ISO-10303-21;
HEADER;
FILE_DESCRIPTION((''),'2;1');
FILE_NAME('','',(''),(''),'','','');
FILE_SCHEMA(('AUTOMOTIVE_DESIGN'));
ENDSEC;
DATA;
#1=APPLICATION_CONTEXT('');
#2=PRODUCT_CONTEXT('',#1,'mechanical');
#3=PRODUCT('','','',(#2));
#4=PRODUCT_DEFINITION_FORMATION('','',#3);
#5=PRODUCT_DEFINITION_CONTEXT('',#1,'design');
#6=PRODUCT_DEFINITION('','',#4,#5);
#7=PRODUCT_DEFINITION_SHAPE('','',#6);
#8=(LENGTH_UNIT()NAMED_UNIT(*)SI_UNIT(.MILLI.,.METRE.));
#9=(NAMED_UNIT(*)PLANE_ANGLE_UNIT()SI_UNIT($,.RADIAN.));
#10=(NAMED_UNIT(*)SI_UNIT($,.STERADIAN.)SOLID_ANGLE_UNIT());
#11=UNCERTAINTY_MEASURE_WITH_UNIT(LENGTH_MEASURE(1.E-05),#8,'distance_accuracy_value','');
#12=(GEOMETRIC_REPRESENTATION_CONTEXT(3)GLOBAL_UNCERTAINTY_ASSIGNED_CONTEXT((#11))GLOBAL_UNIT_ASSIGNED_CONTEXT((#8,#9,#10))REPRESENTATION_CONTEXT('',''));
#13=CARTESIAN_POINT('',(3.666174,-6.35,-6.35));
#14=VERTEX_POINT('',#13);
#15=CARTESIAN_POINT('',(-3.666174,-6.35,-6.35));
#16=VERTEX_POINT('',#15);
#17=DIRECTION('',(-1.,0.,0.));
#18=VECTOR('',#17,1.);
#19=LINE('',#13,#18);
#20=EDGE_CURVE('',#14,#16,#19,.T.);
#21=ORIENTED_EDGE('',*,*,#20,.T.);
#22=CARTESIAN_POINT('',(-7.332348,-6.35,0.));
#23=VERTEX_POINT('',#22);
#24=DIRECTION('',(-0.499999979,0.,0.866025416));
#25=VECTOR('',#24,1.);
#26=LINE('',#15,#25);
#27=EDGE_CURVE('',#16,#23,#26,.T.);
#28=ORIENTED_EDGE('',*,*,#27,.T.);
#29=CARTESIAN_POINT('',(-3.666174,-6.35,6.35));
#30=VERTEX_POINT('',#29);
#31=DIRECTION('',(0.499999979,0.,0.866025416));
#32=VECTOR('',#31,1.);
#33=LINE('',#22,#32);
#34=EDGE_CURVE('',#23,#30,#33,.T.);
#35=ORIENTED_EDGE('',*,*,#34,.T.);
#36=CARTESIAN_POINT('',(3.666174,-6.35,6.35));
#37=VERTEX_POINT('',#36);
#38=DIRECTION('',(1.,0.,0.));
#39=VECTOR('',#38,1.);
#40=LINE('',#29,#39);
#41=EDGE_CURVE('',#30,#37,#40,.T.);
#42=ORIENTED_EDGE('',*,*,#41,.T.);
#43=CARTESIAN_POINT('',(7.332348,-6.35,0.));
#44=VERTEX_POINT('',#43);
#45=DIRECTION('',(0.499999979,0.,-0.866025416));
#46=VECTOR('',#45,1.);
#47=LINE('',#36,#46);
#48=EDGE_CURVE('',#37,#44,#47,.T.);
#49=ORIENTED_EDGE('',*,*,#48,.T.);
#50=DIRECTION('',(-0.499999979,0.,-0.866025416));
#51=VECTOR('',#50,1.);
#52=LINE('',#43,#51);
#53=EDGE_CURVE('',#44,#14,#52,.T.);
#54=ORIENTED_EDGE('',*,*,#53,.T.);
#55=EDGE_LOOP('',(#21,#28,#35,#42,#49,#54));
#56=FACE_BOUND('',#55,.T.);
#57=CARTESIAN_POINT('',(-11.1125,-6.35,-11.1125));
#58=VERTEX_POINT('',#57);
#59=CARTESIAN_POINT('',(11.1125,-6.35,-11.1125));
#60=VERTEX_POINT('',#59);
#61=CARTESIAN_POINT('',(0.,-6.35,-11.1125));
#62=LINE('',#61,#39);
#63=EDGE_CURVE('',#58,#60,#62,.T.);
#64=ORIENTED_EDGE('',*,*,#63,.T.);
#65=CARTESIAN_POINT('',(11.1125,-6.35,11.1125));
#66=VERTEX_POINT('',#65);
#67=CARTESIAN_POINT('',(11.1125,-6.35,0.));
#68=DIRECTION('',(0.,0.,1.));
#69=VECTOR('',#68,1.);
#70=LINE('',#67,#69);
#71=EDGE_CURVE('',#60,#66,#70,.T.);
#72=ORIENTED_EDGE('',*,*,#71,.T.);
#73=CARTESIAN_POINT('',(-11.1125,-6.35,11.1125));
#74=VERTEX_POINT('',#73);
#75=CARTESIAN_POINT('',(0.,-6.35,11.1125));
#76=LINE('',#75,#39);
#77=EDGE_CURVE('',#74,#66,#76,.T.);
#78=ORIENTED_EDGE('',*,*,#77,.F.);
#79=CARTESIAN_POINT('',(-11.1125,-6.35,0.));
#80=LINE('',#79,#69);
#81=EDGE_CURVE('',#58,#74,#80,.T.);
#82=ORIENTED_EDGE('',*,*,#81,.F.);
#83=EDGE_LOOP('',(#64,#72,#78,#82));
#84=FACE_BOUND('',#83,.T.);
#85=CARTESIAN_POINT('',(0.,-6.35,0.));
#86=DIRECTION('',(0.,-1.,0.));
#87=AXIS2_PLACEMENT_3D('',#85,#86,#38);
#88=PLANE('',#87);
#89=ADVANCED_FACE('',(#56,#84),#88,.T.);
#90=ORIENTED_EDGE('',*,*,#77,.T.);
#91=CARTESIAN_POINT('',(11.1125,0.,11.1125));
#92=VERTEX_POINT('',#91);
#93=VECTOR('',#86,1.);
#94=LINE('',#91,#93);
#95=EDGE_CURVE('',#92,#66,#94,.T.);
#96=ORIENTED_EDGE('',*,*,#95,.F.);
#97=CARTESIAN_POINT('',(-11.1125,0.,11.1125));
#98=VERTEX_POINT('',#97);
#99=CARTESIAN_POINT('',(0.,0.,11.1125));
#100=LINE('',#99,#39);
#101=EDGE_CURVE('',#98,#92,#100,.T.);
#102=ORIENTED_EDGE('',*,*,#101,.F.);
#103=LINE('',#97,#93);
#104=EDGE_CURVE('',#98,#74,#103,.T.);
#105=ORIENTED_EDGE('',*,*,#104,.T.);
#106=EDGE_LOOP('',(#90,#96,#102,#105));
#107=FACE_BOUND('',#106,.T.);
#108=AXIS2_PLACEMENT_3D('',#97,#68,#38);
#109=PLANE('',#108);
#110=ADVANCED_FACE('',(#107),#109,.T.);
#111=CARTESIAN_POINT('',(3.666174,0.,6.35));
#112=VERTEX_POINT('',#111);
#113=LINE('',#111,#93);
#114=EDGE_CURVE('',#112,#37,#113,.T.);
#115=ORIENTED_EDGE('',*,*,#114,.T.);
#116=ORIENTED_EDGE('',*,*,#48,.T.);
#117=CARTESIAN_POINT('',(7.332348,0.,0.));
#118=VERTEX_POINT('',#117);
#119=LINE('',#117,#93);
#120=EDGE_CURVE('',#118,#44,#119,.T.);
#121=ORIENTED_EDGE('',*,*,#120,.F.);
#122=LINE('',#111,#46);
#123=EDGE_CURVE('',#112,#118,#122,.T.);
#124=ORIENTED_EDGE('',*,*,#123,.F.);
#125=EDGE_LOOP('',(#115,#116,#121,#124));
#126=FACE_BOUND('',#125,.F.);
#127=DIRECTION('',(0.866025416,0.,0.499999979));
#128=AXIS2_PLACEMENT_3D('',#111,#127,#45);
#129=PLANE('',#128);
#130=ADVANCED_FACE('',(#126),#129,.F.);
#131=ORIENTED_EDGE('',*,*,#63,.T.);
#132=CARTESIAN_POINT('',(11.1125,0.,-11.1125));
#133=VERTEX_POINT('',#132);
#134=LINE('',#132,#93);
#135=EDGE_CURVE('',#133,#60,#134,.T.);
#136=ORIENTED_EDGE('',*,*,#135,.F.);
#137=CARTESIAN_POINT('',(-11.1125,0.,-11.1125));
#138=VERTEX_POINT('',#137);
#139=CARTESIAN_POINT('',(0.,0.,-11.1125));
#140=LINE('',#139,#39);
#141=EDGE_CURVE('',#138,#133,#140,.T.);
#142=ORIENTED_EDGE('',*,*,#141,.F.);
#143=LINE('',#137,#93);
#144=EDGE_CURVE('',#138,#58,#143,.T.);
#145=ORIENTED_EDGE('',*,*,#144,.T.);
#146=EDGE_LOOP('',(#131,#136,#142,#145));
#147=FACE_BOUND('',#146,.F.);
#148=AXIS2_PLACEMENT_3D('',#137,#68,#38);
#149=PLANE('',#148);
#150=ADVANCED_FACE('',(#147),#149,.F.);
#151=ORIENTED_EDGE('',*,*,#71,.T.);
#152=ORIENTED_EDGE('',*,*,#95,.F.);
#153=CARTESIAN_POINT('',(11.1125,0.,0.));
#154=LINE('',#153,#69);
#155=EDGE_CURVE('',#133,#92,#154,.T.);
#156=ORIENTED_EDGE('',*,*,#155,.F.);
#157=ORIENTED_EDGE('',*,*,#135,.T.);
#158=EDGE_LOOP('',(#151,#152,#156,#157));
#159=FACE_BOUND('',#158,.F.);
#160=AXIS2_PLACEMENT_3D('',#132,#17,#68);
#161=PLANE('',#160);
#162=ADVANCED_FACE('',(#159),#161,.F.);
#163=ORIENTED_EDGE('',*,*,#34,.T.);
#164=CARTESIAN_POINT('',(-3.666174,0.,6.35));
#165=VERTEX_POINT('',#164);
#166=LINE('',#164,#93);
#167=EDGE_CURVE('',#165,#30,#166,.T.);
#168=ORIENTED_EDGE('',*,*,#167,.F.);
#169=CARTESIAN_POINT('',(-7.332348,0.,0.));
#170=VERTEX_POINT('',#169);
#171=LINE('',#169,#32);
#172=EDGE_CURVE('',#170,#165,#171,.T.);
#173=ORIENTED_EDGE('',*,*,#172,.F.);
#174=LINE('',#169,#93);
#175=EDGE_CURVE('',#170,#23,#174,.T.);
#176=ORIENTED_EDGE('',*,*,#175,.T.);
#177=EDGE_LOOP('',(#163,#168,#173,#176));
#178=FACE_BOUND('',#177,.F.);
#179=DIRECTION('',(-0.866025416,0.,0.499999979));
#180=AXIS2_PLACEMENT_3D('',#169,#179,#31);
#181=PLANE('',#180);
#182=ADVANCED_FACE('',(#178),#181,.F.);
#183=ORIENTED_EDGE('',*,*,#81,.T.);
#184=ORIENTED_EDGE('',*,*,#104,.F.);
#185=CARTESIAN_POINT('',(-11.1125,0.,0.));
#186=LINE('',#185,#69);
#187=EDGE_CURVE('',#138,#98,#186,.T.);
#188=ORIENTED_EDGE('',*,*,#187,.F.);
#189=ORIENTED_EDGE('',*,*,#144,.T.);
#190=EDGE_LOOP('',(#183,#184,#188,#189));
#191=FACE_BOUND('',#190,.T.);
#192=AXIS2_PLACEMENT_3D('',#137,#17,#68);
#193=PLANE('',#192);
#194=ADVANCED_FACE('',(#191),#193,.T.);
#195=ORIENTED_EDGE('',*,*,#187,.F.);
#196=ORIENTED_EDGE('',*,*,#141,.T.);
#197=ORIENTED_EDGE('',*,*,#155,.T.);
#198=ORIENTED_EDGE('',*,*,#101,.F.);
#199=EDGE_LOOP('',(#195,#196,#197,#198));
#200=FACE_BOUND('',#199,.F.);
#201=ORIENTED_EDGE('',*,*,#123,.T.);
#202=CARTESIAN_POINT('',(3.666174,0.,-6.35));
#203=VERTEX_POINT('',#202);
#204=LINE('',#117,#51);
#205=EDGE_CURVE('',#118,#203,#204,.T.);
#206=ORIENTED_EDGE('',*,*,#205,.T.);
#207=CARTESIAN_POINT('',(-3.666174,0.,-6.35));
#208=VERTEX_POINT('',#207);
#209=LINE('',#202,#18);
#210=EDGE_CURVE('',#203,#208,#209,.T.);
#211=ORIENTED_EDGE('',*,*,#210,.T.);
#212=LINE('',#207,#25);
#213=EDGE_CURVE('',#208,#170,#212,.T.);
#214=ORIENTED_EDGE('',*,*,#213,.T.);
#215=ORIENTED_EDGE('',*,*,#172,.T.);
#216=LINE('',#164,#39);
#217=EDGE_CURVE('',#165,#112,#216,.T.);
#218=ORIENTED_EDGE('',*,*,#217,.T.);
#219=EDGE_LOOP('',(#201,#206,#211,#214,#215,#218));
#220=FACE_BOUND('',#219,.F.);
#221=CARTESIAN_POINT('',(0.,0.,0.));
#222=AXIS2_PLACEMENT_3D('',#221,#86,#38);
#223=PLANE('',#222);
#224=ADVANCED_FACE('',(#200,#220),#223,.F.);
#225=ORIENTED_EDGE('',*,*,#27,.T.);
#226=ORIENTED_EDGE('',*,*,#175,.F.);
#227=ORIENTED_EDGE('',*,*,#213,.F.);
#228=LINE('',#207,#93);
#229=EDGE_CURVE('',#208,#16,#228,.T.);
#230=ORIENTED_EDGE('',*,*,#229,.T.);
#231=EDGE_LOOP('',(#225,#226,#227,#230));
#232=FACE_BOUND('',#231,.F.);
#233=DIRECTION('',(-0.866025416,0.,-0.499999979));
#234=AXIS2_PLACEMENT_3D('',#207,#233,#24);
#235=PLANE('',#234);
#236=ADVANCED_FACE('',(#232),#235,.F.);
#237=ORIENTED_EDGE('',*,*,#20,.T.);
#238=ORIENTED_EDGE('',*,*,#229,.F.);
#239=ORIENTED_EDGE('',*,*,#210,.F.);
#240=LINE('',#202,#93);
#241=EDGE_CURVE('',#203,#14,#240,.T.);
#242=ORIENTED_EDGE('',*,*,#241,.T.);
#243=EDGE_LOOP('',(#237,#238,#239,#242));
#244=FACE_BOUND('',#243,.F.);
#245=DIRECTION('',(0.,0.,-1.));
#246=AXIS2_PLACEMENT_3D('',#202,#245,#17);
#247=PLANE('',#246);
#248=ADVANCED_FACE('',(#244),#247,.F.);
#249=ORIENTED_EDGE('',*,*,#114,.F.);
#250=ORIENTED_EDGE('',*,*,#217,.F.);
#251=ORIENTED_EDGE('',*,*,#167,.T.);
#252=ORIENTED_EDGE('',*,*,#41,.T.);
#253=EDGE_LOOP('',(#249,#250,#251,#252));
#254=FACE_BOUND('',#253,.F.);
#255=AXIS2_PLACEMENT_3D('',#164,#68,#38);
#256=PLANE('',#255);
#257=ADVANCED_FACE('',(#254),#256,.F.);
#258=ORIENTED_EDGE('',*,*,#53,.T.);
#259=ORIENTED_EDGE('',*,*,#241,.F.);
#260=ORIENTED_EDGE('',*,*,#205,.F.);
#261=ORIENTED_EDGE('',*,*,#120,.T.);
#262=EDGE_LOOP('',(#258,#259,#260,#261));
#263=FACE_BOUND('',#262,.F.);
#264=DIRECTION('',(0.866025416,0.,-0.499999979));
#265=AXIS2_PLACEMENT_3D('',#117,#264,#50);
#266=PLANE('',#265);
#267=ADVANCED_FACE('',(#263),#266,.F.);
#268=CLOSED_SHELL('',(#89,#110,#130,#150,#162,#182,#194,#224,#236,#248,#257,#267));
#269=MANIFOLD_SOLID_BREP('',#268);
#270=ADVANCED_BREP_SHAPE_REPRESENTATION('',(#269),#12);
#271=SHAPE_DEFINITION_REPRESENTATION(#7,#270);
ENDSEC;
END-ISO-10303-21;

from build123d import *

# Parameters (mm, degrees)
F0_W     = 22.225
F0_H     = 22.225
F1_DEPTH = 6.35


with BuildPart() as f1:
    # F0 (on Front) → F1 (new body)
    with BuildSketch(Plane.XZ):
        Rectangle(F0_W, F0_H)
        Polygon((-7.332348, 0), (-3.666174, 6.35), (3.666174, 6.35), (7.332348, 0), (3.666174, -6.35), (-3.666174, -6.35), align=None, mode=Mode.SUBTRACT)
    extrude(amount=F1_DEPTH)


solid = f1.part
